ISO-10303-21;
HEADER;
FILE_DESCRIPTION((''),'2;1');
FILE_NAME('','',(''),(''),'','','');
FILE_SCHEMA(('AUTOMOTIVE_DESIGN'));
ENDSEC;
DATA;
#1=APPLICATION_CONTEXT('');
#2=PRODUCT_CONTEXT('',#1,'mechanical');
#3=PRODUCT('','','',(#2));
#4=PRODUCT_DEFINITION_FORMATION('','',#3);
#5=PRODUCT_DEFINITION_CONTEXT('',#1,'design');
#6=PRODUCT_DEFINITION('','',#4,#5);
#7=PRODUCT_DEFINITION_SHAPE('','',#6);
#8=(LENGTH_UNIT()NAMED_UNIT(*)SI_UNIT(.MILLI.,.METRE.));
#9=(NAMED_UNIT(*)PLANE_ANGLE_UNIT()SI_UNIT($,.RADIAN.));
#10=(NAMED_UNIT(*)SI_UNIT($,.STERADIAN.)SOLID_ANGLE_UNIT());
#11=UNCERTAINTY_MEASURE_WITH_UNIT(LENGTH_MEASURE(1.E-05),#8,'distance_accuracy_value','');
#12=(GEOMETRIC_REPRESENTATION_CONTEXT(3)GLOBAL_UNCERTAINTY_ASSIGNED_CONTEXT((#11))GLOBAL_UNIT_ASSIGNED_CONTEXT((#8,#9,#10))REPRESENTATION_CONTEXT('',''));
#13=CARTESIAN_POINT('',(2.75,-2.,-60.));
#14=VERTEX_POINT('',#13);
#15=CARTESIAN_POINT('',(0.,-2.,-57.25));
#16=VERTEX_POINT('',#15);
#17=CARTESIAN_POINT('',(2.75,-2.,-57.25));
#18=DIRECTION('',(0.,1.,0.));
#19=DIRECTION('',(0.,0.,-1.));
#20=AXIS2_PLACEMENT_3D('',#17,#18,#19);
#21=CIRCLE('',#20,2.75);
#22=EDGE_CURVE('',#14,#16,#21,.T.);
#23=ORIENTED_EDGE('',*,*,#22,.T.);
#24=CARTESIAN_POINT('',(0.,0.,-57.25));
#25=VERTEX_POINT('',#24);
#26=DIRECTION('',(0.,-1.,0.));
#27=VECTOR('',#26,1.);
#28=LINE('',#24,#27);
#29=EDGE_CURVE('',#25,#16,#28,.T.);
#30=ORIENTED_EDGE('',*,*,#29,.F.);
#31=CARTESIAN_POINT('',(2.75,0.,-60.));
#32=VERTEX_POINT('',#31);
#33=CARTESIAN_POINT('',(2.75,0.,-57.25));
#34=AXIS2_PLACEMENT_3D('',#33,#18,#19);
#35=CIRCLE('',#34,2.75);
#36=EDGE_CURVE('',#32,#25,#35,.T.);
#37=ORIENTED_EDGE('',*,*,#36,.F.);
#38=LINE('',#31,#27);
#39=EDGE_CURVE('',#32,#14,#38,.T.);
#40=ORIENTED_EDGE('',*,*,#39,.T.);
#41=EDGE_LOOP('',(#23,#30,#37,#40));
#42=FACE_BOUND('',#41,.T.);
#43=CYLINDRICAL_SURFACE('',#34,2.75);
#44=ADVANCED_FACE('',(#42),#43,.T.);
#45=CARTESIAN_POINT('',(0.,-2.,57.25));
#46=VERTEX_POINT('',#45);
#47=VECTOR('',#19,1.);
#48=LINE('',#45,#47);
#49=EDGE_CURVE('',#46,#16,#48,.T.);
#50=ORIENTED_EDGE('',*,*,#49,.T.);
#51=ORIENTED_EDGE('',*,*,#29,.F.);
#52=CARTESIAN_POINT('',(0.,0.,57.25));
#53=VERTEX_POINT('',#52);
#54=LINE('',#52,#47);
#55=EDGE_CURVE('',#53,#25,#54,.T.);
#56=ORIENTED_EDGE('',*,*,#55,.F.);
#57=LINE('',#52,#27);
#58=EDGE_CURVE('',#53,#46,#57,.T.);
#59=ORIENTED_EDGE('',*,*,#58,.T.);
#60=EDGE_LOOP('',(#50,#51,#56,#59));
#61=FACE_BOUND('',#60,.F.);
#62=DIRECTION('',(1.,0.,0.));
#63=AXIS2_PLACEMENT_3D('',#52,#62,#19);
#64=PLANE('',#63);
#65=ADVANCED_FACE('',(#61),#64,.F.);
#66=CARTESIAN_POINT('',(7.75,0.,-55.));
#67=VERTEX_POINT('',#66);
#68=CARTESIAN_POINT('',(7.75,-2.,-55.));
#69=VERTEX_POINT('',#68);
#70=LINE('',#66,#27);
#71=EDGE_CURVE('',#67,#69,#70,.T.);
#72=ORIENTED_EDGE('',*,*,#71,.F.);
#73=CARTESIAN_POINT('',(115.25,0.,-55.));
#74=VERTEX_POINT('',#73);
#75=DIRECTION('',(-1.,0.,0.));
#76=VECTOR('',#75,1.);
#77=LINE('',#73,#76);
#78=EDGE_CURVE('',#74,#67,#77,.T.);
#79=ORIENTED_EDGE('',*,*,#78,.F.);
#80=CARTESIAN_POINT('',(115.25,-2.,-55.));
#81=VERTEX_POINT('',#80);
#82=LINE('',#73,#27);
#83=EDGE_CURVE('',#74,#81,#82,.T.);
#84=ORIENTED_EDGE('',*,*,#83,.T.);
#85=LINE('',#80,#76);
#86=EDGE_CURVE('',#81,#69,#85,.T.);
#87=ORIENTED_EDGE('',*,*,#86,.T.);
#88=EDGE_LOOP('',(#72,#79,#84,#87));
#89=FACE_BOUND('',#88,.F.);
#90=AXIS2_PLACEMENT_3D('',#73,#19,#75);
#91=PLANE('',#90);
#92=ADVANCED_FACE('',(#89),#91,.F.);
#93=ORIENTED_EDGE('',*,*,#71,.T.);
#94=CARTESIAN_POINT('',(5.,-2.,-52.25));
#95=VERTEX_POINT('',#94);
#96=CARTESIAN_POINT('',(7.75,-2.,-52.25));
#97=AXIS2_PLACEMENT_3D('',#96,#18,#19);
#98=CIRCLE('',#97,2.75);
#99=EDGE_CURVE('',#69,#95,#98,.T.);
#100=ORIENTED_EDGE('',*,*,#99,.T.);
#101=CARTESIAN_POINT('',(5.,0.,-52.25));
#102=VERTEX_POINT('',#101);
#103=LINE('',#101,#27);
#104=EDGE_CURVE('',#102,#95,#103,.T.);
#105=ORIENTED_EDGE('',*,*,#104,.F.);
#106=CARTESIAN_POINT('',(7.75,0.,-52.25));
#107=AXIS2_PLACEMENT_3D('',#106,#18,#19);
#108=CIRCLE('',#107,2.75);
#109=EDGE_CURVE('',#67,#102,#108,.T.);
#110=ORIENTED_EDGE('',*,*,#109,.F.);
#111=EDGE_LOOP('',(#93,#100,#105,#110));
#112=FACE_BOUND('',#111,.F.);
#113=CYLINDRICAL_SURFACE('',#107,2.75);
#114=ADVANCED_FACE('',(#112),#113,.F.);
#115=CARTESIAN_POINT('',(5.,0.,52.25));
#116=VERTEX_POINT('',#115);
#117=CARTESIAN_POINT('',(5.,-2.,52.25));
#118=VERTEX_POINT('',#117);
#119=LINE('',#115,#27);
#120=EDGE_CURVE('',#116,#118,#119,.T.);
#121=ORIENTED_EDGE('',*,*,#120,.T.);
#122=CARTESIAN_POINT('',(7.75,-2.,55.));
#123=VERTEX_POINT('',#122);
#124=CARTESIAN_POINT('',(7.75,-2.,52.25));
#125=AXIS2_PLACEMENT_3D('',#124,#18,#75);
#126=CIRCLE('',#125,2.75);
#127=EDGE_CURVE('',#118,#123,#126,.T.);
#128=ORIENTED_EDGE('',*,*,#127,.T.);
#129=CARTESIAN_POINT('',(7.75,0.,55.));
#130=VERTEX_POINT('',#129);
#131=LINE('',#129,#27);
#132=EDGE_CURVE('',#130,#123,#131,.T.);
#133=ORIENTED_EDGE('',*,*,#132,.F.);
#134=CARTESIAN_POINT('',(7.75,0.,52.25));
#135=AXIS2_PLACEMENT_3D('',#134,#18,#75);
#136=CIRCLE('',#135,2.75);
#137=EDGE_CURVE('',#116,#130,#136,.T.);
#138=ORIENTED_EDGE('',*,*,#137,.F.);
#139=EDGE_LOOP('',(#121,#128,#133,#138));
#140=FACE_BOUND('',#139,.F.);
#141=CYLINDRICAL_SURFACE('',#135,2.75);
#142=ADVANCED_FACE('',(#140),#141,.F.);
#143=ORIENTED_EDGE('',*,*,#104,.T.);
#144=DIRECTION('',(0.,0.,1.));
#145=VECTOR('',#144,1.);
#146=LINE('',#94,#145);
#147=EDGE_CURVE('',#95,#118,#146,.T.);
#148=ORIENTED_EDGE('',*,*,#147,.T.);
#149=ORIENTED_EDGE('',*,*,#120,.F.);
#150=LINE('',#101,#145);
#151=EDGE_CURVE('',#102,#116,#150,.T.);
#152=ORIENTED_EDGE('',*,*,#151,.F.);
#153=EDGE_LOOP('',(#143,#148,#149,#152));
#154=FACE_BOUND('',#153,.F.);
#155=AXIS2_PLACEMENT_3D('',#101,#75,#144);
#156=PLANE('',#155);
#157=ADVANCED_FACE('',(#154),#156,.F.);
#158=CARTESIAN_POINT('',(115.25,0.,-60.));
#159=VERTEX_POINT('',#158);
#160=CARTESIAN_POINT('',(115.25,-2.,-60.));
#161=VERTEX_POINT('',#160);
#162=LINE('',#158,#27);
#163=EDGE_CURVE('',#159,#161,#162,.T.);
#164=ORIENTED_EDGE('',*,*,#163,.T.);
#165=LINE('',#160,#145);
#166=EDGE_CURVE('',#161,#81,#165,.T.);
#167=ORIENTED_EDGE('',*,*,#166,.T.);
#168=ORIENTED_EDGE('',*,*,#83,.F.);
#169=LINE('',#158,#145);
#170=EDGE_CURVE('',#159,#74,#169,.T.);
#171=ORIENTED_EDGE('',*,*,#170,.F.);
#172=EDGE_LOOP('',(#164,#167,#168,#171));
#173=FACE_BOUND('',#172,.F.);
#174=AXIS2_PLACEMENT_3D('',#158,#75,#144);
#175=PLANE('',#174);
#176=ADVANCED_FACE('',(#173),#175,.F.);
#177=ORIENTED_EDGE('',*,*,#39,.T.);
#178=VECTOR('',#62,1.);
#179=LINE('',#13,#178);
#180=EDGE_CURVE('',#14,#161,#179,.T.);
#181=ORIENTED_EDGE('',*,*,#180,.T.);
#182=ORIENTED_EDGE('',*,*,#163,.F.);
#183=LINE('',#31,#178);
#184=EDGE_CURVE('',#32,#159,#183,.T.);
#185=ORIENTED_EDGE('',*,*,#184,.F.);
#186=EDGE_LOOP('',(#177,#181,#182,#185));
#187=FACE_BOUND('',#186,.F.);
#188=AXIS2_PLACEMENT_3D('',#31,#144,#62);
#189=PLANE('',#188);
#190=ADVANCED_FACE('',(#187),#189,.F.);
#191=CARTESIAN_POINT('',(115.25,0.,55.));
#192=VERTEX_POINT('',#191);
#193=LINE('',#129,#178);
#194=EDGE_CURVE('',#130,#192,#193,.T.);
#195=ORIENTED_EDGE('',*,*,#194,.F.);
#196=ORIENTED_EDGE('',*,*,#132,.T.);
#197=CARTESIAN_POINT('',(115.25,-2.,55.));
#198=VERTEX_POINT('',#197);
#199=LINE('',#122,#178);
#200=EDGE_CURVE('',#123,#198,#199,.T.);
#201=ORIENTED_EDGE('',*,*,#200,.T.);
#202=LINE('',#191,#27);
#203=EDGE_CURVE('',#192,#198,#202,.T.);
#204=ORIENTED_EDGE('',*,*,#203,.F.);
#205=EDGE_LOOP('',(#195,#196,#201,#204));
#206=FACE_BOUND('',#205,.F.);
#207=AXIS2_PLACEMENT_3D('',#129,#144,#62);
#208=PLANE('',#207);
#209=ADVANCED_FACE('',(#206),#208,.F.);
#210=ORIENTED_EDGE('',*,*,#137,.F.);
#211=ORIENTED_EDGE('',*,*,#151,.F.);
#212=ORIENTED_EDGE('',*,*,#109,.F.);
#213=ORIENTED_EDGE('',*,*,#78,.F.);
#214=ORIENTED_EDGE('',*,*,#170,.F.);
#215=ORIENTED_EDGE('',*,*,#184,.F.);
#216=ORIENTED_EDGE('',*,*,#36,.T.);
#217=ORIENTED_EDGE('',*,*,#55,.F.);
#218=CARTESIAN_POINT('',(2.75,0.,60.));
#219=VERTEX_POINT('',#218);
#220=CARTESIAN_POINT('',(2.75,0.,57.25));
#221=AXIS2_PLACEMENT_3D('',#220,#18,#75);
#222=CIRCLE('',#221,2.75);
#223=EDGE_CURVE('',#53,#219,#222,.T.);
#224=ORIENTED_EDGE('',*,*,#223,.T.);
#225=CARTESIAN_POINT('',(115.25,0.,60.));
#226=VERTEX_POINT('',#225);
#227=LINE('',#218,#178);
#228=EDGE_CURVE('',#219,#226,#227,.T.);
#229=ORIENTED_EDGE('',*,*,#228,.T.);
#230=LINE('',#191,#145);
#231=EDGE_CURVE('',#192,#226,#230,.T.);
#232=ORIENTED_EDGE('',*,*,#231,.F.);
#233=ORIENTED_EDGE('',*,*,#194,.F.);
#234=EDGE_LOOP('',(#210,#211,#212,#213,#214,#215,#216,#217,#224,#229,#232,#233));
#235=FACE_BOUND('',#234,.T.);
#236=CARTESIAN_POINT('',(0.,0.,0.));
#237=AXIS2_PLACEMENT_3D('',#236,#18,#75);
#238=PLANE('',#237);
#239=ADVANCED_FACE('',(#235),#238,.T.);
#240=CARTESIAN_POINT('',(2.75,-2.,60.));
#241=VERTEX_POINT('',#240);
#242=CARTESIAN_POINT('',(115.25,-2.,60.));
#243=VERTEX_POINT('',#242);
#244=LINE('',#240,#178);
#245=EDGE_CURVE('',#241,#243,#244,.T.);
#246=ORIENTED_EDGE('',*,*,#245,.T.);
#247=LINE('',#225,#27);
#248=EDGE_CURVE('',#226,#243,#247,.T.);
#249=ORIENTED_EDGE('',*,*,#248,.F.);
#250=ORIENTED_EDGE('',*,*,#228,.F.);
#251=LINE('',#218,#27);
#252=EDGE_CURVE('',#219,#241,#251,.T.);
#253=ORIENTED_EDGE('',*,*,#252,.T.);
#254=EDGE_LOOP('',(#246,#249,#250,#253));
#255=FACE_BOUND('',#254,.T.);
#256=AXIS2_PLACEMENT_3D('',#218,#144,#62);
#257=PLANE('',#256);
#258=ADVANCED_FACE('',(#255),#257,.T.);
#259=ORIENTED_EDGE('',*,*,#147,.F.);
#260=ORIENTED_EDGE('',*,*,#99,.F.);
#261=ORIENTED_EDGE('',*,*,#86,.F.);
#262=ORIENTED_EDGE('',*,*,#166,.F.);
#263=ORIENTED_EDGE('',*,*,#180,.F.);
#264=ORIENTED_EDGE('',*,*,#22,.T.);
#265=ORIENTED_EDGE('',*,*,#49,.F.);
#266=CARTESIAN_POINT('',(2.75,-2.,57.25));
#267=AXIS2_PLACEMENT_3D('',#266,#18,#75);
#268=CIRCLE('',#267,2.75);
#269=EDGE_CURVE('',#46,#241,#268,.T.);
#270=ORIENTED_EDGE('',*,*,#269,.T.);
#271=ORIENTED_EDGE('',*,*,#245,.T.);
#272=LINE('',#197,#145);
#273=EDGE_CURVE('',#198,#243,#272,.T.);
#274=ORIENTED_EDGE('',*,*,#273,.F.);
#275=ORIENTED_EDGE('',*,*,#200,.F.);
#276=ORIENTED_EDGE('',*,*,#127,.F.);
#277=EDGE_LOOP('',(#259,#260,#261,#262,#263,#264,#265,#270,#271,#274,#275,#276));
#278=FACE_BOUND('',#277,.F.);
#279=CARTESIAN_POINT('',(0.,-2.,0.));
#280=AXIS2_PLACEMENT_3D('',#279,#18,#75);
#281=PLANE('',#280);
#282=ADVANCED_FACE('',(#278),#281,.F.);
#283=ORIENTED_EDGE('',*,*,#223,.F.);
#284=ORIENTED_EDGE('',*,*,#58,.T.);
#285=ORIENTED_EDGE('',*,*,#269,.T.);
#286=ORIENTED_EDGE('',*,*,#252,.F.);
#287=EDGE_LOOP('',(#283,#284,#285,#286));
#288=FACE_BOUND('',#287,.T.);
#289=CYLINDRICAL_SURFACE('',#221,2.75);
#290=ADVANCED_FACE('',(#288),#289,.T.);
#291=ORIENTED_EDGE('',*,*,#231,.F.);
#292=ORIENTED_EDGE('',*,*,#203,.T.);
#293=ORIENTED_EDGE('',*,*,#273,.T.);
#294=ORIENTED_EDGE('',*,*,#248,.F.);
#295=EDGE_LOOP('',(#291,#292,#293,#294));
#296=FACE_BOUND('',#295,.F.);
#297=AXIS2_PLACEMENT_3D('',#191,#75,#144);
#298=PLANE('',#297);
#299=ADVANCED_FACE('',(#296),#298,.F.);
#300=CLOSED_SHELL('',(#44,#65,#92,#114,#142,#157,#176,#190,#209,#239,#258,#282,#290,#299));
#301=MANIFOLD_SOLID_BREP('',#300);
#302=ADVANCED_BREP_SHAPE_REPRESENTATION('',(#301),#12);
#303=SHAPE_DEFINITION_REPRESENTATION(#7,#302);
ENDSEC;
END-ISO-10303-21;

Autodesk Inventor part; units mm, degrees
ref_plane "YZ Plane" through (0, 0, 0) normal (1, 0, 0) x (0, 1, 0)
ref_plane "XZ Plane" through (0, 0, 0) normal (0, 1, 0) x (-1, 0, 0)
ref_plane "XY Plane" through (0, 0, 0) normal (0, 0, 1) x (1, 0, 0)
sketch "Sketch1" plane through (0, 0, 0) normal (0, 1, 0) x (-1, 0, 0)
  line L0 (0, 60) -> (0, 57.25) construction
  line L1 (0, 60) -> (-2.75, 60) construction
  line L2 (0, -60) -> (-2.75, -60) construction
  line L3 (-115.25, -55) -> (-7.75, -55)
  line L4 (-5, -55) -> (-5, -52.25) construction
  line L5 (-5, 55) -> (-7.75, 55) construction
  line L6 (-115.25, 55) -> (-115.25, 60)
  line L7 (-115.25, -60) -> (-115.25, -55)
  arc A0 (-5, 52.25) -> (-7.75, 55) centre (-7.75, 52.25) ccw
  arc A1 (-7.75, -55) -> (-5, -52.25) centre (-7.75, -52.25) ccw
  arc A2 (0, 57.25) -> (-2.75, 60) centre (-2.75, 57.25) ccw
  arc A3 (-2.75, -60) -> (0, -57.25) centre (-2.75, -57.25) ccw
  line L8 (0, 57.25) -> (0, -57.25)
  line L9 (-2.75, 60) -> (-115.25, 60)
  line L10 (0, -57.25) -> (0, -60) construction
  line L11 (-2.75, -60) -> (-115.25, -60)
  line L12 (-5, -52.25) -> (-5, 52.25)
  line L13 (-7.75, -55) -> (-5, -55) construction
  line L14 (-5, 52.25) -> (-5, 55) construction
  line L15 (-7.75, 55) -> (-115.25, 55)
  arc A4 (-2.75, 60) -> (0, 57.25) centre (-2.75, 57.25) ccw construction
  arc A5 (-7.75, 55) -> (-5, 52.25) centre (-7.75, 52.25) ccw construction
  arc A6 (0, -57.25) -> (-2.75, -60) centre (-2.75, -57.25) ccw construction
  arc A7 (-5, -52.25) -> (-7.75, -55) centre (-7.75, -52.25) ccw construction
  point P0 (0, 0)
  point P1 (0, 0)
  dimension "d4" = 5
  dimension "d6" = 115.25
  dimension "d8" = 115.25
  dimension "d9" = 5
  dimension "d10" = 5
  dimension "d11" = 120
  dimension "d12" = 55
  dimension "d13" = 5.5
extrude "Plate1" add sketch "Sketch1" against normal blind 2
equation "\"d8\" = d6"
equation "\"d9\" = d4"
equation "\"d10\" = d4"
equation "\"d11\" = Ширина_крепления_корпуса"
equation "\"d5\" = Thickness"
equation "\"BendReliefWidth\" = Thickness"
equation "\"BendReliefDepth\" = 0.5 * Thickness"
equation "\"CornerReliefSize\" = 4 * Thickness"
equation "\"MinimumRemnant\" = 2 * Thickness"
equation "\"TransitionRadius\" = BendRadius"
equation "\"JacobiRadiusSize\" = BendRadius"
equation "\"GapSize\" = Thickness"
equation "\"Ширина_крепления_корпуса\" = 120"
equation "\"Thickness\" = 2"
equation "\"BendRadius\" = 2.75"
properties part number "Опоры на кожухе 2" material "Stainless Steel"
